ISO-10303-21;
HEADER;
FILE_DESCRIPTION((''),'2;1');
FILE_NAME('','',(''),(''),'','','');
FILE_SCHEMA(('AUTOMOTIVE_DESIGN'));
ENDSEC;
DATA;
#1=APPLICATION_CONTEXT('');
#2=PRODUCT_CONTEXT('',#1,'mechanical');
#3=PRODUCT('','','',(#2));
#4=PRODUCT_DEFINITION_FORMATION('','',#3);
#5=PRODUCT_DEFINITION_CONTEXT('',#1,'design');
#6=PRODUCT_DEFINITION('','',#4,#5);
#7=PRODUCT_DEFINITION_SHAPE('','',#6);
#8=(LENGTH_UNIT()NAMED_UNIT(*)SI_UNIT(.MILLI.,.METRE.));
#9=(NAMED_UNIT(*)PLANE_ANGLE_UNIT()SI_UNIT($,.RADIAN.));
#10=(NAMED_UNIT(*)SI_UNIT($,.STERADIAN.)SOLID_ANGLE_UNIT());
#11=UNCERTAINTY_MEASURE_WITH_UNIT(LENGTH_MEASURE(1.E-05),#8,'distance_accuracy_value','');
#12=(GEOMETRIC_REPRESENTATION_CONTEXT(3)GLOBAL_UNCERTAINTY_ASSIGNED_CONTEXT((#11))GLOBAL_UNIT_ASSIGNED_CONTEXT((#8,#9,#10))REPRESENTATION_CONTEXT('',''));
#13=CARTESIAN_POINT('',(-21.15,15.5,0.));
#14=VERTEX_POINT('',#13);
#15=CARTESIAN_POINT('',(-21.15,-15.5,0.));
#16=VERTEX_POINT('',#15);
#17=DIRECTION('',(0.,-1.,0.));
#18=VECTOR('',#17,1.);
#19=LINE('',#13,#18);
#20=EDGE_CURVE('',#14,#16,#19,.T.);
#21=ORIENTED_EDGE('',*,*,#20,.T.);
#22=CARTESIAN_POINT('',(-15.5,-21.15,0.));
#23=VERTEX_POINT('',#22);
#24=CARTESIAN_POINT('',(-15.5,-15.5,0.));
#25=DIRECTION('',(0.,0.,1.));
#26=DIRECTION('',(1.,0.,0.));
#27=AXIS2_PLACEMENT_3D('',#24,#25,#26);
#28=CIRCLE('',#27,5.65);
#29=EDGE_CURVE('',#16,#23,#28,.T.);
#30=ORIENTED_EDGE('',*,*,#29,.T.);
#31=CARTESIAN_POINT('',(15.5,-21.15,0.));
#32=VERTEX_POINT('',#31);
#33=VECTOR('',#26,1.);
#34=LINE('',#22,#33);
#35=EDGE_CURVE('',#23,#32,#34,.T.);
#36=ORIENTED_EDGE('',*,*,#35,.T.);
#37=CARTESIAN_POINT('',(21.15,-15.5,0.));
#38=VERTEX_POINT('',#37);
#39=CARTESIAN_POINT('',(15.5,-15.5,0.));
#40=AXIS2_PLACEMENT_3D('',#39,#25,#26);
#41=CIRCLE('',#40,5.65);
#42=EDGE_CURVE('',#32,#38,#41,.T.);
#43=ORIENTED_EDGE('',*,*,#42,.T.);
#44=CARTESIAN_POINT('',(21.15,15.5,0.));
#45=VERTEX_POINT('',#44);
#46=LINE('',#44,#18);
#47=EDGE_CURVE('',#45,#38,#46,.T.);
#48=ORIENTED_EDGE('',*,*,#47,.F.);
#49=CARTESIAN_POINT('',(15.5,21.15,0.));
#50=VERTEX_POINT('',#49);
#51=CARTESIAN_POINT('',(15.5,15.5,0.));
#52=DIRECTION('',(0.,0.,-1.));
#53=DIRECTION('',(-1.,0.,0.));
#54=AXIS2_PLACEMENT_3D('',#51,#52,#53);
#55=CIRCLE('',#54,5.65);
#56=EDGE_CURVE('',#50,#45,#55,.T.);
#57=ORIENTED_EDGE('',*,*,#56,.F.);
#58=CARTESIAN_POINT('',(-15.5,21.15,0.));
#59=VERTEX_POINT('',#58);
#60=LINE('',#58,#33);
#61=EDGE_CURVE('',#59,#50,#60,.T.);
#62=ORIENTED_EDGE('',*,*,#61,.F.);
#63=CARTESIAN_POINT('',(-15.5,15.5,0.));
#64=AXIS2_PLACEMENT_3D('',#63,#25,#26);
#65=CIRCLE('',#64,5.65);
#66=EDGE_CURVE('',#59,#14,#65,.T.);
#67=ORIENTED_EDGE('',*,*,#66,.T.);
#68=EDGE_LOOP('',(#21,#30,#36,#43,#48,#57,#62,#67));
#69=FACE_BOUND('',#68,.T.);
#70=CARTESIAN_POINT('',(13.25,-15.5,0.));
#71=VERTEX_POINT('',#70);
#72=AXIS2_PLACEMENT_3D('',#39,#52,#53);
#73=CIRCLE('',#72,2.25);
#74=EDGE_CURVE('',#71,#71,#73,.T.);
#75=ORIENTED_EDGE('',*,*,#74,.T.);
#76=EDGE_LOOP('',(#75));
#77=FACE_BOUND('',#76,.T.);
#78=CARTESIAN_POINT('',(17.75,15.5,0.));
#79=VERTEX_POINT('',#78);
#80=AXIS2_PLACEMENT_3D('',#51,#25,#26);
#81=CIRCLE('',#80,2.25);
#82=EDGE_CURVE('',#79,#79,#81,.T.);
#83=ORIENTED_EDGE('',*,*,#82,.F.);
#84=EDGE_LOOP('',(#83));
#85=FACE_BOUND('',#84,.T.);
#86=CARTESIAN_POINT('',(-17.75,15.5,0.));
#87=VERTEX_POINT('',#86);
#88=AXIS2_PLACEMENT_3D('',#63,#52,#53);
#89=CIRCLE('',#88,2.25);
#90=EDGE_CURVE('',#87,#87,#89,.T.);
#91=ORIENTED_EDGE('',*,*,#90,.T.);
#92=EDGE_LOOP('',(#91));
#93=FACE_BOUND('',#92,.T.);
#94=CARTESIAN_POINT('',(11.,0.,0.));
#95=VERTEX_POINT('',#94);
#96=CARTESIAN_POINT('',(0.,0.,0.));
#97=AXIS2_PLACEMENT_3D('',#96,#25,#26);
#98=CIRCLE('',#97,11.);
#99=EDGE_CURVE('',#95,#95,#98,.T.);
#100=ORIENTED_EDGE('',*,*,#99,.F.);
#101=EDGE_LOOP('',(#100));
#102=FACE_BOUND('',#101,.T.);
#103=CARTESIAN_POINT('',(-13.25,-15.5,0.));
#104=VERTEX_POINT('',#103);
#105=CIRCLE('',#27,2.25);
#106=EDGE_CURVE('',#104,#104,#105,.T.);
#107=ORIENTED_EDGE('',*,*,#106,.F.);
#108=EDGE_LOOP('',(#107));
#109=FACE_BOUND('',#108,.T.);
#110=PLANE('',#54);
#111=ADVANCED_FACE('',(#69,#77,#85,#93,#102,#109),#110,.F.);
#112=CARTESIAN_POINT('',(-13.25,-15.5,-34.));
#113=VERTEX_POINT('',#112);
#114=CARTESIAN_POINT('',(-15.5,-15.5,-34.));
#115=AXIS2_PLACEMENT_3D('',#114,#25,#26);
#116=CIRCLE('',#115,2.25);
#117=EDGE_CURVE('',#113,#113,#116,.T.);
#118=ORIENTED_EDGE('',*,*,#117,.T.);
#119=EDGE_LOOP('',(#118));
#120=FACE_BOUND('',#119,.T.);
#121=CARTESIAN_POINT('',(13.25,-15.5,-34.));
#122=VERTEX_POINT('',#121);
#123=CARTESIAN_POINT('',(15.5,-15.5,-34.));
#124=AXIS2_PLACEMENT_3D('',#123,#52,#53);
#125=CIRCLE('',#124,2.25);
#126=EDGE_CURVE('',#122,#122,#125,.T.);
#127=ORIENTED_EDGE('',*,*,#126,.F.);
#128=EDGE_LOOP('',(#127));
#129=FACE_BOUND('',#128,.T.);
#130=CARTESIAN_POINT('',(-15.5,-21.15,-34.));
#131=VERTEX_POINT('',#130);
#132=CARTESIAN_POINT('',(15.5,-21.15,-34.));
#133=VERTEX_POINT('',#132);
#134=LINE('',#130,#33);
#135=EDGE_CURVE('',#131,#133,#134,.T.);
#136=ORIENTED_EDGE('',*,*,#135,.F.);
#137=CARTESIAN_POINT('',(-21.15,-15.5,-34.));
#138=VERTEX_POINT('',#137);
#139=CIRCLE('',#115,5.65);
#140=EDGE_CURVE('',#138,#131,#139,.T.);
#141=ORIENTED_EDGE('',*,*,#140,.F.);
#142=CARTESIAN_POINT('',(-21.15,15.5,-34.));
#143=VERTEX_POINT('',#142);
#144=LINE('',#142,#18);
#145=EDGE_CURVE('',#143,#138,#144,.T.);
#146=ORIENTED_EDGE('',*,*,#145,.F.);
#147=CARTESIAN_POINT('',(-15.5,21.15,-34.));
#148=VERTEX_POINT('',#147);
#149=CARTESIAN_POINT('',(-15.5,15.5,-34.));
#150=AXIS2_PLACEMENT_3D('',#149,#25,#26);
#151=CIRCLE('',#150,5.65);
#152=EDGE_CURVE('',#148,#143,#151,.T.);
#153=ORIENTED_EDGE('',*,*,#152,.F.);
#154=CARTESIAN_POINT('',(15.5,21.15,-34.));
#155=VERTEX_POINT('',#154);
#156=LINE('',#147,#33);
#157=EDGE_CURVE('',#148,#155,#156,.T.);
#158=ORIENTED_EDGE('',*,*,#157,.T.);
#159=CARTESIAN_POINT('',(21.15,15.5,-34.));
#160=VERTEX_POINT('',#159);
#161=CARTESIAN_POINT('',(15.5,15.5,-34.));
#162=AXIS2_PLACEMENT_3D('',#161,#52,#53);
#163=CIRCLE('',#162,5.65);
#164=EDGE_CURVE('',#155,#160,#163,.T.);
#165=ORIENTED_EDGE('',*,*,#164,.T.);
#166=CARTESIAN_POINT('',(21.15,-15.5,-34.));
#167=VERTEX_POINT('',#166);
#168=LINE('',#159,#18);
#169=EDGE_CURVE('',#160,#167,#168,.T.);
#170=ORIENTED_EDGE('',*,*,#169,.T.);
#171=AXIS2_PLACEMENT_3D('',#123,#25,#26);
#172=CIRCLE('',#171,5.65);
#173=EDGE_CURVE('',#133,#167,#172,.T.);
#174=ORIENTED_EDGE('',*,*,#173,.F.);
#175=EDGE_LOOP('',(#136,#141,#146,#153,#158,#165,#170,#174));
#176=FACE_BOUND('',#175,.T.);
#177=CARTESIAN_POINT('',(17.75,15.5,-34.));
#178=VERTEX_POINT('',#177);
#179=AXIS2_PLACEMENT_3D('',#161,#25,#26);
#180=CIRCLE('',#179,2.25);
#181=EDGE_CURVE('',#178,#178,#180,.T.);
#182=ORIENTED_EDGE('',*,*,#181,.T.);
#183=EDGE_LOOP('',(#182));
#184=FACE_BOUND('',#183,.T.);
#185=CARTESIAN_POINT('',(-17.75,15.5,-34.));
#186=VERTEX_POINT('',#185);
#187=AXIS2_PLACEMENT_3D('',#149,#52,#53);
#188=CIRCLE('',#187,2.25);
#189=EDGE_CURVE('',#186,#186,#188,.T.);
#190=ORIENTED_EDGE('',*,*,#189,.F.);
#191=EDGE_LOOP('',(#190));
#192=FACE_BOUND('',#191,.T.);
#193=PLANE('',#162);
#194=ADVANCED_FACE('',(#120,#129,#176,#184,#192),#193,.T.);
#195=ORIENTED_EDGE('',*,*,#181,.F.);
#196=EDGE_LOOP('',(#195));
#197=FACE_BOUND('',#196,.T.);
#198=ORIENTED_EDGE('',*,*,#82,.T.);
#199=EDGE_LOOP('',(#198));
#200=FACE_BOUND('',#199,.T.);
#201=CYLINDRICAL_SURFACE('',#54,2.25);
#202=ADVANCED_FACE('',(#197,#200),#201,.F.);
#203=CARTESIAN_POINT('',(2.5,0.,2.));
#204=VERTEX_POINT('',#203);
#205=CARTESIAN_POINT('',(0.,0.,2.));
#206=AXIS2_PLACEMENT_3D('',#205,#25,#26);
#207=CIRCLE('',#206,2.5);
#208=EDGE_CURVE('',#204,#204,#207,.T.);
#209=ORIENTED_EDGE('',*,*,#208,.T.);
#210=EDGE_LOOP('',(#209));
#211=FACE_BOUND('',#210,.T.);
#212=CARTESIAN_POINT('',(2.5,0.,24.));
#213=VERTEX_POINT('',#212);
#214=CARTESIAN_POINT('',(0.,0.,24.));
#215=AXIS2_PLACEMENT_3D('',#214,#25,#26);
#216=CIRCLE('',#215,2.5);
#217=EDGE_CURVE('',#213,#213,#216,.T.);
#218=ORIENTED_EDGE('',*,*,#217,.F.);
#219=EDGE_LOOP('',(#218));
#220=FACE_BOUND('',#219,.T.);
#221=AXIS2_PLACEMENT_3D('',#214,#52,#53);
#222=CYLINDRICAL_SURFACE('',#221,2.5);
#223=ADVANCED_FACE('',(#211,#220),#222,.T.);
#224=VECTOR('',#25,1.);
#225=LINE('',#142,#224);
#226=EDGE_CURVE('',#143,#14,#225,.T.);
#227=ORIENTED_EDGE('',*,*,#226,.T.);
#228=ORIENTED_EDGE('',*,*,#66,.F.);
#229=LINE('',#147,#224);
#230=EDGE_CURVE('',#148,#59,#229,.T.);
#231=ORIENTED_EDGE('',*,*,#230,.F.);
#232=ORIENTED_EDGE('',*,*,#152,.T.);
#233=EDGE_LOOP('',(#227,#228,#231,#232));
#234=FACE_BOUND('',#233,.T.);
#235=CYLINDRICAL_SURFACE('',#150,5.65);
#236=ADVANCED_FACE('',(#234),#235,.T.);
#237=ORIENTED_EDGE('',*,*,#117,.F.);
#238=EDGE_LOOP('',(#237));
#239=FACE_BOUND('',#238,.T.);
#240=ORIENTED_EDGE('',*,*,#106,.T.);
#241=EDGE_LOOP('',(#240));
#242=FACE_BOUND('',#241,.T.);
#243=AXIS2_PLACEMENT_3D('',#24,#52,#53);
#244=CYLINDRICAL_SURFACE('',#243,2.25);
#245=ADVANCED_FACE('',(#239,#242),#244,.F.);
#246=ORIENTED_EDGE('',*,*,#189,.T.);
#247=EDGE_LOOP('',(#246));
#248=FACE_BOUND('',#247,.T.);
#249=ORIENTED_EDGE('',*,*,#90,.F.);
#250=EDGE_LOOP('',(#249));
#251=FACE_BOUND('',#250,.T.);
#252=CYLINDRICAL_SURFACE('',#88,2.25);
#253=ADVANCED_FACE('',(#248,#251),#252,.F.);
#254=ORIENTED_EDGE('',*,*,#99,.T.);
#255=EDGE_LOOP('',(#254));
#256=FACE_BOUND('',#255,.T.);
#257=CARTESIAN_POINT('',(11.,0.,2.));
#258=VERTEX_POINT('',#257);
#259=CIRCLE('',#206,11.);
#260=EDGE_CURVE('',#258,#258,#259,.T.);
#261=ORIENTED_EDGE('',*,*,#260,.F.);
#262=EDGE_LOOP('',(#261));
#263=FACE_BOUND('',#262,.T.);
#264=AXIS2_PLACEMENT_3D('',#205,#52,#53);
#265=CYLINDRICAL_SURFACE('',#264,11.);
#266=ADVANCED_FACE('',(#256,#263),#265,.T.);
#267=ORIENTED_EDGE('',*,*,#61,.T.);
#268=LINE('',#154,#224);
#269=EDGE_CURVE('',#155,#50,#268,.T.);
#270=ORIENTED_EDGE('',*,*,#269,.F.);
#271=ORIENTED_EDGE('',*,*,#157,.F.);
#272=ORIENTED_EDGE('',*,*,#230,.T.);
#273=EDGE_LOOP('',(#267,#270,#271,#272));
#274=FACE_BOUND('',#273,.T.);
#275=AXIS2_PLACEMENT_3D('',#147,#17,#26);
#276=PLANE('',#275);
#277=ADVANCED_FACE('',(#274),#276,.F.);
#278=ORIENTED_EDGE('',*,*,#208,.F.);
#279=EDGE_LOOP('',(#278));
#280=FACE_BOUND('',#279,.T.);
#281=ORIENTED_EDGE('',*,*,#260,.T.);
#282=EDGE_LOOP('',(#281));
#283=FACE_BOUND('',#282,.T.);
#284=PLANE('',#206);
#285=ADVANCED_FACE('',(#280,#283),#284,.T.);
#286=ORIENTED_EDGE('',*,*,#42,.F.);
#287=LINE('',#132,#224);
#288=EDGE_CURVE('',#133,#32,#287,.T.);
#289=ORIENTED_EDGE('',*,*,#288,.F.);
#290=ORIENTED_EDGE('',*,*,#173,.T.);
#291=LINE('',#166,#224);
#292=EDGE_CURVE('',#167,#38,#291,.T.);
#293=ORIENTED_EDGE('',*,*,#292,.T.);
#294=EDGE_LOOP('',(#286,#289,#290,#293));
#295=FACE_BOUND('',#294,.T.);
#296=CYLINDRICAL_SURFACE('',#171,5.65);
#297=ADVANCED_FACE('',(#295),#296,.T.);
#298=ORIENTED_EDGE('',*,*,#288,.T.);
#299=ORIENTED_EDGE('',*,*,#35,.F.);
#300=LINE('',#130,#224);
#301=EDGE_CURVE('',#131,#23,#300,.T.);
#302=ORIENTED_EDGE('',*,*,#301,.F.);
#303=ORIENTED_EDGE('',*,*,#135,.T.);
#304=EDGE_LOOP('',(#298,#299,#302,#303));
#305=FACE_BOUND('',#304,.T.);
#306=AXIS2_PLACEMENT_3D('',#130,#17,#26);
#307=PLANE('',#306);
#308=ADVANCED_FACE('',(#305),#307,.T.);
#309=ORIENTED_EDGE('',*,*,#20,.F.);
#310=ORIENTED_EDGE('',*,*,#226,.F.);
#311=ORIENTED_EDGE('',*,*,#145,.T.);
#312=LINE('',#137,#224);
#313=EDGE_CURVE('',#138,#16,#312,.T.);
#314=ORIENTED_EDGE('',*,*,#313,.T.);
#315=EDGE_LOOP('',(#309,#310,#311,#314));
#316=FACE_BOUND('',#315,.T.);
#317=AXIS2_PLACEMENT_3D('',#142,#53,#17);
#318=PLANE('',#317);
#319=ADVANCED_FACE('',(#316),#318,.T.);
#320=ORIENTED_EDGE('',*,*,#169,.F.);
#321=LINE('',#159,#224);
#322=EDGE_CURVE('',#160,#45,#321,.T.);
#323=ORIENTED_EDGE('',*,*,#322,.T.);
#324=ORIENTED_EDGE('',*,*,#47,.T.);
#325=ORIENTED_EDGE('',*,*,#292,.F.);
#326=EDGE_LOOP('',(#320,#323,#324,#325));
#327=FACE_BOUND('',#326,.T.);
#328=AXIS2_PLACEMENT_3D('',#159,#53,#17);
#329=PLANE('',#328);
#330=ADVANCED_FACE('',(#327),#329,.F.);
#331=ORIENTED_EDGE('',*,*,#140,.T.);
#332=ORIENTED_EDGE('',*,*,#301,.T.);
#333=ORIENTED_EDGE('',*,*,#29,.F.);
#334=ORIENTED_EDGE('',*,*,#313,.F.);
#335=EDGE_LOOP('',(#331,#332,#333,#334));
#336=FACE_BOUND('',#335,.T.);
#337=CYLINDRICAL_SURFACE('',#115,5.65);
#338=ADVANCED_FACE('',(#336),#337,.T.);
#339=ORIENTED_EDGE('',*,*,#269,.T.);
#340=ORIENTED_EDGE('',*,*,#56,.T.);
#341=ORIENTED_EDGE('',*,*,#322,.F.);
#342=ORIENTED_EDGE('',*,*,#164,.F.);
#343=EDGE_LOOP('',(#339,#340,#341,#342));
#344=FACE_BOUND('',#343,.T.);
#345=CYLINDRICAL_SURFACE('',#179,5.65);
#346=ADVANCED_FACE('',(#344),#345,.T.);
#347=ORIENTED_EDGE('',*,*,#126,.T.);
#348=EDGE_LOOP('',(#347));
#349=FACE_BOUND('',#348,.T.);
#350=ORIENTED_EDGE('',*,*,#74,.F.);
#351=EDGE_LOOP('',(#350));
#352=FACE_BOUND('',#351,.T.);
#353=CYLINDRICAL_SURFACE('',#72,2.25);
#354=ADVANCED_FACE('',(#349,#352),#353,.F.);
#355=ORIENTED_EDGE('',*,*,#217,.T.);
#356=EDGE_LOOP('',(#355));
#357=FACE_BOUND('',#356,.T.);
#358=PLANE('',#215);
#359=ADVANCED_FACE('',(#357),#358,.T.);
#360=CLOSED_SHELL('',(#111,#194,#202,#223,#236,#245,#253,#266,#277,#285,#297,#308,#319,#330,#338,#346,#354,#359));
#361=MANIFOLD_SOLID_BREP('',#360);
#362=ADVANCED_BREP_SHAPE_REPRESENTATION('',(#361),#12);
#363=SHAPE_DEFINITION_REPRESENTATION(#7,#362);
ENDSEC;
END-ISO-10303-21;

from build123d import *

# Parameters (mm, degrees)
SKETCH1_R           = 2.5
BOSS_EXTRUDE1_DEPTH = 24
SKETCH2_R           = 11
BOSS_EXTRUDE2_DEPTH = 2
BOSS_EXTRUDE3_DEPTH = 34
SKETCH5_R           = 2.25
CUT_EXTRUDE1_DEPTH  = 34


with BuildPart() as part:
    # Sketch1 → Boss-Extrude1 (new body)
    with BuildSketch(Plane.XY):
        Circle(SKETCH1_R)
    extrude(amount=BOSS_EXTRUDE1_DEPTH)

    # Sketch2 → Boss-Extrude2 (add)
    with BuildSketch(Plane.XY):
        Circle(SKETCH2_R)
    extrude(amount=BOSS_EXTRUDE2_DEPTH)

    # Sketch4 → Boss-Extrude3 (add)
    with BuildSketch(Plane(origin=(0, 0, 0), x_dir=(-1, 0, 0), z_dir=(0, 0, -1))):
        with BuildLine():
            Line((15.5, 21.15), (-15.5, 21.15))
            ThreePointArc((-15.5, 21.15), (-19.495153314, 19.495153314), (-21.15, 15.5))
            Line((-21.15, 15.5), (-21.15, -15.5))
            ThreePointArc((-21.15, -15.5), (-19.495153314, -19.495153314), (-15.5, -21.15))
            Line((-15.5, -21.15), (15.5, -21.15))
            ThreePointArc((15.5, -21.15), (19.495153314, -19.495153314), (21.15, -15.5))
            Line((21.15, -15.5), (21.15, 15.5))
            ThreePointArc((21.15, 15.5), (19.495153314, 19.495153314), (15.5, 21.15))
        make_face()
    extrude(amount=BOSS_EXTRUDE3_DEPTH)

    # Sketch5 → Cut-Extrude1 (cut)
    with BuildSketch(Plane(origin=(0, 0, -34), x_dir=(-1, 0, 0), z_dir=(0, 0, -1))):
        with Locations((-15.5, -15.5)):
            Circle(SKETCH5_R)
        with Locations(Location((15.5, -15.5, 0), (0, 0, 180))):
            Circle(SKETCH5_R)
        with Locations(Location((-15.5, 15.5, 0), (0, 0, 180))):
            Circle(SKETCH5_R)
        with Locations((15.5, 15.5)):
            Circle(SKETCH5_R)
    extrude(amount=-CUT_EXTRUDE1_DEPTH, mode=Mode.SUBTRACT)


solid = part.part
